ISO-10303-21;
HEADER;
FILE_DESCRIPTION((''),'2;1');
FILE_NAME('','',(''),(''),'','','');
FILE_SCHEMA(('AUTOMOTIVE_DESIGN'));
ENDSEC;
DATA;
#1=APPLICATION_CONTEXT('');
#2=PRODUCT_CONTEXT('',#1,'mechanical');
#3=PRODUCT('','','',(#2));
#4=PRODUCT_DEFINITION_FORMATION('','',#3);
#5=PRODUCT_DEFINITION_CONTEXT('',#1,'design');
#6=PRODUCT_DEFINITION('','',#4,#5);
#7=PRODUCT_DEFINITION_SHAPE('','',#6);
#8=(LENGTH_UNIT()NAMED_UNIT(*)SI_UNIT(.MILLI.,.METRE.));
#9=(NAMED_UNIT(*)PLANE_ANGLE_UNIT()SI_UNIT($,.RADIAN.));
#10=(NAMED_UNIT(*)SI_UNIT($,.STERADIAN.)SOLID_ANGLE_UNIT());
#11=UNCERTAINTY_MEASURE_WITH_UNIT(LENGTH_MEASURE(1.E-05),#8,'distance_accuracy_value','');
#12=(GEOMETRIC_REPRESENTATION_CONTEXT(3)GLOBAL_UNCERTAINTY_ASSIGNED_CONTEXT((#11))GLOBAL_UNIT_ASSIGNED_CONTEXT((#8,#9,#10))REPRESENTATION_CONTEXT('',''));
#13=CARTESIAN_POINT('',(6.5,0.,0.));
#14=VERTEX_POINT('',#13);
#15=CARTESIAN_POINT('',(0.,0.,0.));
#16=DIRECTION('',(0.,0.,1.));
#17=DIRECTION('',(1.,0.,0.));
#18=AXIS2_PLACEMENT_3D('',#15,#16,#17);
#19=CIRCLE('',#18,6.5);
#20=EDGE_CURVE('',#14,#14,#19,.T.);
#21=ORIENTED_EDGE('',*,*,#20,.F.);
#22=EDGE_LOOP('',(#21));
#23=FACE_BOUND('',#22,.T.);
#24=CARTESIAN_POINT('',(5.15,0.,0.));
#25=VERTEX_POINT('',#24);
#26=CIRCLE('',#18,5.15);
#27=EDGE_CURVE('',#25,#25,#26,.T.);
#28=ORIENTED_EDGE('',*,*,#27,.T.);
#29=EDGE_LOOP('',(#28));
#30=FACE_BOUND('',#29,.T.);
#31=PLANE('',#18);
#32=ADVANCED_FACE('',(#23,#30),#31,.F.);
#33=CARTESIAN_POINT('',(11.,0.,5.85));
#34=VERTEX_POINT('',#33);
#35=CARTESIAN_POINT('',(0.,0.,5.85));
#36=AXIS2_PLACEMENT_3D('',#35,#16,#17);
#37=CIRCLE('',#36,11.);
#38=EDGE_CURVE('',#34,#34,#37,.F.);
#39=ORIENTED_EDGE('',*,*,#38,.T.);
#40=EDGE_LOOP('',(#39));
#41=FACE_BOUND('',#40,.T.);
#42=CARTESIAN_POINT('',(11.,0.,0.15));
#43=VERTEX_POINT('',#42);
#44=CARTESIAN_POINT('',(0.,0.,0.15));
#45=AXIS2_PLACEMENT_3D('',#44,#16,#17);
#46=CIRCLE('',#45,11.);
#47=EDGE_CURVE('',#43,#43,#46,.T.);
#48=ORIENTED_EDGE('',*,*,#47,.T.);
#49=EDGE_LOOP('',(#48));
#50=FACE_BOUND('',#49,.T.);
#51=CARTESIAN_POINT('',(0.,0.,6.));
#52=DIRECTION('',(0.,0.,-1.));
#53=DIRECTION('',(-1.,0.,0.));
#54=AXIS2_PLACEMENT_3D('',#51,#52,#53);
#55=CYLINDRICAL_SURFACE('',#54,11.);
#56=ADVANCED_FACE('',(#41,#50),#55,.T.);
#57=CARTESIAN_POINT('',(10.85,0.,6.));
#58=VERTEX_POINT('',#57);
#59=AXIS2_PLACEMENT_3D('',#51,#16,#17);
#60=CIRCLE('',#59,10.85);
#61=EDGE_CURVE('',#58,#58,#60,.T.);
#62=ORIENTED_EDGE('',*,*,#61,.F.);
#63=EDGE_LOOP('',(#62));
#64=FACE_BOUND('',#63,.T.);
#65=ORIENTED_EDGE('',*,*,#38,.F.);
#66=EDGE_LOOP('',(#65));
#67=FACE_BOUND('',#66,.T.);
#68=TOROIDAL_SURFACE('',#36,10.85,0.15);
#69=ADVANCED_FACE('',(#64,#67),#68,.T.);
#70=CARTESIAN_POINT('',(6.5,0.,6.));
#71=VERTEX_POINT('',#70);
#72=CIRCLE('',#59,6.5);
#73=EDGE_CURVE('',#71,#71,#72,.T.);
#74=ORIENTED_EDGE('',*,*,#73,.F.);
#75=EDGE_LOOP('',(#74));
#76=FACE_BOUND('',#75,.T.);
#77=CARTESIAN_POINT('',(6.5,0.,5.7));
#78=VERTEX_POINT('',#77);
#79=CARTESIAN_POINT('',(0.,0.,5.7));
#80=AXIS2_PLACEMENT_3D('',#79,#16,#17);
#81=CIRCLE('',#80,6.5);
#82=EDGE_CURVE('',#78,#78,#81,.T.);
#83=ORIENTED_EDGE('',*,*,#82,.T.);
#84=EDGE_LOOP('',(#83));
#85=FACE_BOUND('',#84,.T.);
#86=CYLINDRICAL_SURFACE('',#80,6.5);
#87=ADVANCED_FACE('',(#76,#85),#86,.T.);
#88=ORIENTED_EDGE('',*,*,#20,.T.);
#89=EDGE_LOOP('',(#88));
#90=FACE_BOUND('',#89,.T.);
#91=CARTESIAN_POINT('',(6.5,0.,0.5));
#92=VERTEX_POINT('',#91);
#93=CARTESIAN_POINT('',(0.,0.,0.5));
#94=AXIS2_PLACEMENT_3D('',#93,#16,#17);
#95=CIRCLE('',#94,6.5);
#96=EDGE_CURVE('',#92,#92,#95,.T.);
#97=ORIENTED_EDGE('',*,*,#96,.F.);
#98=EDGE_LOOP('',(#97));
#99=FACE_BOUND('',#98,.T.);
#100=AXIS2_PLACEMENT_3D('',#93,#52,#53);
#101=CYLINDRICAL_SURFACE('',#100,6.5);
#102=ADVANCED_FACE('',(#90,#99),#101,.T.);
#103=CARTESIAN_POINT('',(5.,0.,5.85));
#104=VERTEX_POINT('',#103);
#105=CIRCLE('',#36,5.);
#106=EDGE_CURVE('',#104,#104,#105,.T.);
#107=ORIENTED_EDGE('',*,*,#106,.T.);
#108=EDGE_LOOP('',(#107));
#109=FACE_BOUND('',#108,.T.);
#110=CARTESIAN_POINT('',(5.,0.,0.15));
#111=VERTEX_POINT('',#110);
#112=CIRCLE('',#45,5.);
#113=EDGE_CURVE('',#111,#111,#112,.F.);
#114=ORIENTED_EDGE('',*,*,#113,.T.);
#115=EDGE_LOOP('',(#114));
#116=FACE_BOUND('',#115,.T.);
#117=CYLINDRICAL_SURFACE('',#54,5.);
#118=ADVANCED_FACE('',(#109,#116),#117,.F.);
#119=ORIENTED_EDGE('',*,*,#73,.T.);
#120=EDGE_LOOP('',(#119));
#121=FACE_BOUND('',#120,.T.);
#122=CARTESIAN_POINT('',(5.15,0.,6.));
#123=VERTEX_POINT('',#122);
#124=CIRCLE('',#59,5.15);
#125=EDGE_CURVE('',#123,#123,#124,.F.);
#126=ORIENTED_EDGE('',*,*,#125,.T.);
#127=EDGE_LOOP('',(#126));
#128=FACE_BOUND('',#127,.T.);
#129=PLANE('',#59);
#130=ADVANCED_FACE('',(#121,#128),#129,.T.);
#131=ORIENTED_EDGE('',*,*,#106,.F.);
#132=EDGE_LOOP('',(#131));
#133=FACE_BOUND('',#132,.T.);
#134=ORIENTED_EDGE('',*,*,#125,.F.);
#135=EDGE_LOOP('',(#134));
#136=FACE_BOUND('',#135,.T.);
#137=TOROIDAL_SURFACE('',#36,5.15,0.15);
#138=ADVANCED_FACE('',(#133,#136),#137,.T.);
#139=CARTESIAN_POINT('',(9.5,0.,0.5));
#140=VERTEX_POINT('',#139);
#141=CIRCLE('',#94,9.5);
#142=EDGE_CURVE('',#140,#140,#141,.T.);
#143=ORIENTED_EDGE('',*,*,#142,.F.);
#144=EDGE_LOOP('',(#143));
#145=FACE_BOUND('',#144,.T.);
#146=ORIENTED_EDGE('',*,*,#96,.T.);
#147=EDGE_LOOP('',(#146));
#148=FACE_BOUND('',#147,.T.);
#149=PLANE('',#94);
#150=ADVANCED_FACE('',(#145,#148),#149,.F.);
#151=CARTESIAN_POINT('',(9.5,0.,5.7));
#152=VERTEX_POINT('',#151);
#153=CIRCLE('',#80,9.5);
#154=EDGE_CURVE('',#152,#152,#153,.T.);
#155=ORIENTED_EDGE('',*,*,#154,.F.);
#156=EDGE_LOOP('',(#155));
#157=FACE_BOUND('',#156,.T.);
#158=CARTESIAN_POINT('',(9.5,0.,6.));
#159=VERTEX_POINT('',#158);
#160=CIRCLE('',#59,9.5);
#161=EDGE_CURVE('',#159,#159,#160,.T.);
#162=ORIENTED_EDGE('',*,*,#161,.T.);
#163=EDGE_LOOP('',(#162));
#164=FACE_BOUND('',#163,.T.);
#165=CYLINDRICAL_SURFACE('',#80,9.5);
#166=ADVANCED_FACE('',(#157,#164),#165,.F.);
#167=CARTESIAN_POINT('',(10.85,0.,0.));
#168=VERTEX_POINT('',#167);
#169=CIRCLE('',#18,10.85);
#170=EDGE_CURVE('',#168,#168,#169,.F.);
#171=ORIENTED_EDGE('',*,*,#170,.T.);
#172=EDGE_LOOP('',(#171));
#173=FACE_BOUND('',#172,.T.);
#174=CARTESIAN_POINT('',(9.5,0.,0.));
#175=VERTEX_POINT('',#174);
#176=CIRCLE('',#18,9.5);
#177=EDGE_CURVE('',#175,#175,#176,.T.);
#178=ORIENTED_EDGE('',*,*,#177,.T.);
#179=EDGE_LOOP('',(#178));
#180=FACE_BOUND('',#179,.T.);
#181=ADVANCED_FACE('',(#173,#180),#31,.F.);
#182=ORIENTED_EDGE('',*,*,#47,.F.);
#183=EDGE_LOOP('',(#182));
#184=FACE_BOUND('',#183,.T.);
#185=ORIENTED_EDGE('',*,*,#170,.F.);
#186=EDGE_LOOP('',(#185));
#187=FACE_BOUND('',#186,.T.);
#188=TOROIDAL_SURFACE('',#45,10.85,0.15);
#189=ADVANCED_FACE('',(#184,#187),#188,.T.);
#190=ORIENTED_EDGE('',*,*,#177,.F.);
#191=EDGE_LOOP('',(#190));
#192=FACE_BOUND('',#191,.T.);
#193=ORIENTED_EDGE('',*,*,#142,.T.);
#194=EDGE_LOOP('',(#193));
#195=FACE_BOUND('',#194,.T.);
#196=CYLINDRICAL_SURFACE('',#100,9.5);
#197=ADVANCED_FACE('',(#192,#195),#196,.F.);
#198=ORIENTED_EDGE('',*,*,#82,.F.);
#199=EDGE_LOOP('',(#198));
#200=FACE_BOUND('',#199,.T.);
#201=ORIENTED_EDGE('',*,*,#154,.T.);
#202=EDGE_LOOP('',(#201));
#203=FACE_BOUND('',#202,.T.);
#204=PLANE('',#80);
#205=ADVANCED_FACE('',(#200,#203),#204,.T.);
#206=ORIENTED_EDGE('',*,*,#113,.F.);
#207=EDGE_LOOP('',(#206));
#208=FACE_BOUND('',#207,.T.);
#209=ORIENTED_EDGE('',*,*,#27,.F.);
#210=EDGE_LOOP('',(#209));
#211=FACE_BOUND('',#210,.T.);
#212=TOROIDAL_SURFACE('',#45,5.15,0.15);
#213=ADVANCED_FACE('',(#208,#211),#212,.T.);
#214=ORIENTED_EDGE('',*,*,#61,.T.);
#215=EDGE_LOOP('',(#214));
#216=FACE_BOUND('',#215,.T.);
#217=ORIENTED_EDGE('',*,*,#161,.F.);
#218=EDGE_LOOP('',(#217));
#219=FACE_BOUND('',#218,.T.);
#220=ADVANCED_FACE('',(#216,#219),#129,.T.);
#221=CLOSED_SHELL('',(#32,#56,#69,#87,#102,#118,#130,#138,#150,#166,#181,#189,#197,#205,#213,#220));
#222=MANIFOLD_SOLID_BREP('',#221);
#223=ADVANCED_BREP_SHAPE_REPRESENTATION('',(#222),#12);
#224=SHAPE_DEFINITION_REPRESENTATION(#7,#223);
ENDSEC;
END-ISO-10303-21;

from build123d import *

# Parameters (mm, degrees)
SKETCH1_R           = 11
SKETCH1_R_2         = 5
BOSS_EXTRUDE1_DEPTH = 6
SKETCH2_R           = 9.5
SKETCH2_R_2         = 6.5
CUT_EXTRUDE1_DEPTH  = 0.3
CUT_EXTRUDE2_START  = -5.5
SKETCH2_2_R         = 9.5
SKETCH2_2_R_2       = 6.5
CUT_EXTRUDE2_DEPTH  = 0.5
FILLET1_R           = 0.15


with BuildPart() as part:
    # Sketch1 → Boss-Extrude1 (new body)
    with BuildSketch(Plane.XY):
        Circle(SKETCH1_R)
        Circle(SKETCH1_R_2, mode=Mode.SUBTRACT)
    extrude(amount=BOSS_EXTRUDE1_DEPTH)

    # Sketch2 → Cut-Extrude1 (cut)
    with BuildSketch(Plane.XY.offset(6)):
        Circle(SKETCH2_R)
        Circle(SKETCH2_R_2, mode=Mode.SUBTRACT)
    extrude(amount=-CUT_EXTRUDE1_DEPTH, mode=Mode.SUBTRACT)

    # Sketch2<2> → Cut-Extrude2 (cut)
    with BuildSketch(Plane.XY.offset(6).offset(CUT_EXTRUDE2_START)):
        Circle(SKETCH2_2_R)
        Circle(SKETCH2_2_R_2, mode=Mode.SUBTRACT)
    extrude(amount=-CUT_EXTRUDE2_DEPTH, mode=Mode.SUBTRACT)

    # Fillet1
    fillet1_edges = [part.edges().sort_by_distance(p)[0] for p in [
        (-11, 0, 0),
        (-11, 0, 6),
        (-5, 0, 0),
        (-5, 0, 6),
    ]]
    fillet(fillet1_edges, radius=FILLET1_R)


solid = part.part
